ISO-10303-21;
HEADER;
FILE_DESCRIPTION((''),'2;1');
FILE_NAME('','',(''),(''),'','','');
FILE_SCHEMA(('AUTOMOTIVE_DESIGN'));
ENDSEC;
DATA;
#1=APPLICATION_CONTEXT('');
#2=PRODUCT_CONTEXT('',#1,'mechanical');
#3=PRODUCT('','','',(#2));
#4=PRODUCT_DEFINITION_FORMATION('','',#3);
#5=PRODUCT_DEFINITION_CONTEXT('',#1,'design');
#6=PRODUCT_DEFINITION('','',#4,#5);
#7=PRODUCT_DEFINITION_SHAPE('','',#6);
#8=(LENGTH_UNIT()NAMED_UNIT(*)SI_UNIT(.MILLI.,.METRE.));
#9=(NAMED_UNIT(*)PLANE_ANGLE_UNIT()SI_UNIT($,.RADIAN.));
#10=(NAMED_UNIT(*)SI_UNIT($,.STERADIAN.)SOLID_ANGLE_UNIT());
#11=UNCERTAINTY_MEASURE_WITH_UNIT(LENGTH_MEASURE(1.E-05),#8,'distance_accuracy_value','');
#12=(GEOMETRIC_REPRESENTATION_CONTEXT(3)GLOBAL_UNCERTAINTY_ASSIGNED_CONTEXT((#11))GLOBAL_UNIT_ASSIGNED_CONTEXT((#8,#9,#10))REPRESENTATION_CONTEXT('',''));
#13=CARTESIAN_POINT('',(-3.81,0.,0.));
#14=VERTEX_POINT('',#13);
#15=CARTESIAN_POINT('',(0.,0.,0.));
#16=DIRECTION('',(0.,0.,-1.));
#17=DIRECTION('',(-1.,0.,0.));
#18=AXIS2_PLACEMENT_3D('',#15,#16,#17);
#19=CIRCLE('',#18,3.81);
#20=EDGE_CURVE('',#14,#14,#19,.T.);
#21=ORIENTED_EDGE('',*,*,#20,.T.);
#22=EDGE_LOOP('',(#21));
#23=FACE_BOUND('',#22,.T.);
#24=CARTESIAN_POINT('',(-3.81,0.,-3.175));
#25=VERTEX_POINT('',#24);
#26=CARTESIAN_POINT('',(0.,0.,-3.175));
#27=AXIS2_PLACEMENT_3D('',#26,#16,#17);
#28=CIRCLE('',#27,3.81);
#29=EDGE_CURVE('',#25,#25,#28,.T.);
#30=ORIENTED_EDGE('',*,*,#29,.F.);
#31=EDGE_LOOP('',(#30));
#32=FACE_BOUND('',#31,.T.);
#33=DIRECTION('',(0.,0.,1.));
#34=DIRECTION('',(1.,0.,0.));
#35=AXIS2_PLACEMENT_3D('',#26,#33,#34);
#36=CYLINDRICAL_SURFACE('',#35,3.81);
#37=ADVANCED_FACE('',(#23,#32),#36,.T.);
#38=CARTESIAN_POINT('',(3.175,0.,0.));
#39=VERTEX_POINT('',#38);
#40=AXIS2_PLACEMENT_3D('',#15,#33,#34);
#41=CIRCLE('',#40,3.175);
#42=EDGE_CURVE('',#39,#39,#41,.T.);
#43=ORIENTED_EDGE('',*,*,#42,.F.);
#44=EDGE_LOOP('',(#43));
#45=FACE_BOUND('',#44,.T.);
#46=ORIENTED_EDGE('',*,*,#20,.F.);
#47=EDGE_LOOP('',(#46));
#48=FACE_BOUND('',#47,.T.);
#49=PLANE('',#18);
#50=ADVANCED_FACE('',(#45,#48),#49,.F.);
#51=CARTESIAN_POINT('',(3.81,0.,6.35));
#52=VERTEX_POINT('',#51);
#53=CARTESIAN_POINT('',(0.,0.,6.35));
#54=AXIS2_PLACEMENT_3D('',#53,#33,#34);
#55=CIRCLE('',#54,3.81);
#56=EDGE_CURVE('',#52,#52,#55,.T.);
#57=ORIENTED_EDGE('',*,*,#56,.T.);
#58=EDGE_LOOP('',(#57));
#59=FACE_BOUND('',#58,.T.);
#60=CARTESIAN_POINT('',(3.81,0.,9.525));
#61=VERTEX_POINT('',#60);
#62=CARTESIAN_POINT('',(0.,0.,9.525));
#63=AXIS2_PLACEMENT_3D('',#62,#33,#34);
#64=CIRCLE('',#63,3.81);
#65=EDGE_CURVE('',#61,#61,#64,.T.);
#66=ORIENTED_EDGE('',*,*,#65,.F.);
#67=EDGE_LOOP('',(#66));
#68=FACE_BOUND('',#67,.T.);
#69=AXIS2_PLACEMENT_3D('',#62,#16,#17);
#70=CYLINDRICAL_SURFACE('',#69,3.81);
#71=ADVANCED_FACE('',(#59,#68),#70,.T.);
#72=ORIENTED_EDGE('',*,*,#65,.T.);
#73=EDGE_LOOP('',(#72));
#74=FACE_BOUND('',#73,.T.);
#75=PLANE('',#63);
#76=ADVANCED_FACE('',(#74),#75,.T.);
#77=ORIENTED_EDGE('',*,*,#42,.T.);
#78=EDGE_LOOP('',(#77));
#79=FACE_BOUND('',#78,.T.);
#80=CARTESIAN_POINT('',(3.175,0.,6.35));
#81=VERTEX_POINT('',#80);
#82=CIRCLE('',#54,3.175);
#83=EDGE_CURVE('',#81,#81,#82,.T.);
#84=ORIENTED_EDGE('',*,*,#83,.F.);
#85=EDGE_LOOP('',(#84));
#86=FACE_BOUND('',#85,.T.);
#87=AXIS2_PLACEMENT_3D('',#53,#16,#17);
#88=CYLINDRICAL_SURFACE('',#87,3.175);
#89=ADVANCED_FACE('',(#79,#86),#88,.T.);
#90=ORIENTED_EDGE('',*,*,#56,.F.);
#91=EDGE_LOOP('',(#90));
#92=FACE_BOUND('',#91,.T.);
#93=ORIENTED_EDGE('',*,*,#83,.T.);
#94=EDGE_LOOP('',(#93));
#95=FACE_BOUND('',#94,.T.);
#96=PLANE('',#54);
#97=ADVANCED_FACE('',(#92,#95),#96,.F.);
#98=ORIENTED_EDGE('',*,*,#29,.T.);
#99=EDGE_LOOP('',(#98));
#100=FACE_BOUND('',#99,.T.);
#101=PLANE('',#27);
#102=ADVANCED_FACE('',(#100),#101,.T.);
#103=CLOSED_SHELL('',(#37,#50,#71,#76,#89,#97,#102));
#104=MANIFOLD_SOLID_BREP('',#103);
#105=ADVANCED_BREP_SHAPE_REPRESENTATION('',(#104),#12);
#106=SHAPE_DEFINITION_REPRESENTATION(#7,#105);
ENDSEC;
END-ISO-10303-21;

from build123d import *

# Parameters (mm, degrees)
SKETCH1_R           = 3.175
BOSS_EXTRUDE1_DEPTH = 6.35
SKETCH2_R           = 3.81
BOSS_EXTRUDE2_DEPTH = 3.175
SKETCH3_R           = 3.81
BOSS_EXTRUDE3_DEPTH = 3.175


with BuildPart() as part:
    # Sketch1 → Boss-Extrude1 (new body)
    with BuildSketch(Plane.XY):
        Circle(SKETCH1_R)
    extrude(amount=BOSS_EXTRUDE1_DEPTH)

    # Sketch2 → Boss-Extrude2 (add)
    with BuildSketch(Plane.XY.offset(6.35)):
        Circle(SKETCH2_R)
    extrude(amount=BOSS_EXTRUDE2_DEPTH)

    # Sketch3 → Boss-Extrude3 (add)
    with BuildSketch(Plane(origin=(0, 0, 0), x_dir=(-1, 0, 0), z_dir=(0, 0, -1))):
        Circle(SKETCH3_R)
    extrude(amount=BOSS_EXTRUDE3_DEPTH)


solid = part.part
